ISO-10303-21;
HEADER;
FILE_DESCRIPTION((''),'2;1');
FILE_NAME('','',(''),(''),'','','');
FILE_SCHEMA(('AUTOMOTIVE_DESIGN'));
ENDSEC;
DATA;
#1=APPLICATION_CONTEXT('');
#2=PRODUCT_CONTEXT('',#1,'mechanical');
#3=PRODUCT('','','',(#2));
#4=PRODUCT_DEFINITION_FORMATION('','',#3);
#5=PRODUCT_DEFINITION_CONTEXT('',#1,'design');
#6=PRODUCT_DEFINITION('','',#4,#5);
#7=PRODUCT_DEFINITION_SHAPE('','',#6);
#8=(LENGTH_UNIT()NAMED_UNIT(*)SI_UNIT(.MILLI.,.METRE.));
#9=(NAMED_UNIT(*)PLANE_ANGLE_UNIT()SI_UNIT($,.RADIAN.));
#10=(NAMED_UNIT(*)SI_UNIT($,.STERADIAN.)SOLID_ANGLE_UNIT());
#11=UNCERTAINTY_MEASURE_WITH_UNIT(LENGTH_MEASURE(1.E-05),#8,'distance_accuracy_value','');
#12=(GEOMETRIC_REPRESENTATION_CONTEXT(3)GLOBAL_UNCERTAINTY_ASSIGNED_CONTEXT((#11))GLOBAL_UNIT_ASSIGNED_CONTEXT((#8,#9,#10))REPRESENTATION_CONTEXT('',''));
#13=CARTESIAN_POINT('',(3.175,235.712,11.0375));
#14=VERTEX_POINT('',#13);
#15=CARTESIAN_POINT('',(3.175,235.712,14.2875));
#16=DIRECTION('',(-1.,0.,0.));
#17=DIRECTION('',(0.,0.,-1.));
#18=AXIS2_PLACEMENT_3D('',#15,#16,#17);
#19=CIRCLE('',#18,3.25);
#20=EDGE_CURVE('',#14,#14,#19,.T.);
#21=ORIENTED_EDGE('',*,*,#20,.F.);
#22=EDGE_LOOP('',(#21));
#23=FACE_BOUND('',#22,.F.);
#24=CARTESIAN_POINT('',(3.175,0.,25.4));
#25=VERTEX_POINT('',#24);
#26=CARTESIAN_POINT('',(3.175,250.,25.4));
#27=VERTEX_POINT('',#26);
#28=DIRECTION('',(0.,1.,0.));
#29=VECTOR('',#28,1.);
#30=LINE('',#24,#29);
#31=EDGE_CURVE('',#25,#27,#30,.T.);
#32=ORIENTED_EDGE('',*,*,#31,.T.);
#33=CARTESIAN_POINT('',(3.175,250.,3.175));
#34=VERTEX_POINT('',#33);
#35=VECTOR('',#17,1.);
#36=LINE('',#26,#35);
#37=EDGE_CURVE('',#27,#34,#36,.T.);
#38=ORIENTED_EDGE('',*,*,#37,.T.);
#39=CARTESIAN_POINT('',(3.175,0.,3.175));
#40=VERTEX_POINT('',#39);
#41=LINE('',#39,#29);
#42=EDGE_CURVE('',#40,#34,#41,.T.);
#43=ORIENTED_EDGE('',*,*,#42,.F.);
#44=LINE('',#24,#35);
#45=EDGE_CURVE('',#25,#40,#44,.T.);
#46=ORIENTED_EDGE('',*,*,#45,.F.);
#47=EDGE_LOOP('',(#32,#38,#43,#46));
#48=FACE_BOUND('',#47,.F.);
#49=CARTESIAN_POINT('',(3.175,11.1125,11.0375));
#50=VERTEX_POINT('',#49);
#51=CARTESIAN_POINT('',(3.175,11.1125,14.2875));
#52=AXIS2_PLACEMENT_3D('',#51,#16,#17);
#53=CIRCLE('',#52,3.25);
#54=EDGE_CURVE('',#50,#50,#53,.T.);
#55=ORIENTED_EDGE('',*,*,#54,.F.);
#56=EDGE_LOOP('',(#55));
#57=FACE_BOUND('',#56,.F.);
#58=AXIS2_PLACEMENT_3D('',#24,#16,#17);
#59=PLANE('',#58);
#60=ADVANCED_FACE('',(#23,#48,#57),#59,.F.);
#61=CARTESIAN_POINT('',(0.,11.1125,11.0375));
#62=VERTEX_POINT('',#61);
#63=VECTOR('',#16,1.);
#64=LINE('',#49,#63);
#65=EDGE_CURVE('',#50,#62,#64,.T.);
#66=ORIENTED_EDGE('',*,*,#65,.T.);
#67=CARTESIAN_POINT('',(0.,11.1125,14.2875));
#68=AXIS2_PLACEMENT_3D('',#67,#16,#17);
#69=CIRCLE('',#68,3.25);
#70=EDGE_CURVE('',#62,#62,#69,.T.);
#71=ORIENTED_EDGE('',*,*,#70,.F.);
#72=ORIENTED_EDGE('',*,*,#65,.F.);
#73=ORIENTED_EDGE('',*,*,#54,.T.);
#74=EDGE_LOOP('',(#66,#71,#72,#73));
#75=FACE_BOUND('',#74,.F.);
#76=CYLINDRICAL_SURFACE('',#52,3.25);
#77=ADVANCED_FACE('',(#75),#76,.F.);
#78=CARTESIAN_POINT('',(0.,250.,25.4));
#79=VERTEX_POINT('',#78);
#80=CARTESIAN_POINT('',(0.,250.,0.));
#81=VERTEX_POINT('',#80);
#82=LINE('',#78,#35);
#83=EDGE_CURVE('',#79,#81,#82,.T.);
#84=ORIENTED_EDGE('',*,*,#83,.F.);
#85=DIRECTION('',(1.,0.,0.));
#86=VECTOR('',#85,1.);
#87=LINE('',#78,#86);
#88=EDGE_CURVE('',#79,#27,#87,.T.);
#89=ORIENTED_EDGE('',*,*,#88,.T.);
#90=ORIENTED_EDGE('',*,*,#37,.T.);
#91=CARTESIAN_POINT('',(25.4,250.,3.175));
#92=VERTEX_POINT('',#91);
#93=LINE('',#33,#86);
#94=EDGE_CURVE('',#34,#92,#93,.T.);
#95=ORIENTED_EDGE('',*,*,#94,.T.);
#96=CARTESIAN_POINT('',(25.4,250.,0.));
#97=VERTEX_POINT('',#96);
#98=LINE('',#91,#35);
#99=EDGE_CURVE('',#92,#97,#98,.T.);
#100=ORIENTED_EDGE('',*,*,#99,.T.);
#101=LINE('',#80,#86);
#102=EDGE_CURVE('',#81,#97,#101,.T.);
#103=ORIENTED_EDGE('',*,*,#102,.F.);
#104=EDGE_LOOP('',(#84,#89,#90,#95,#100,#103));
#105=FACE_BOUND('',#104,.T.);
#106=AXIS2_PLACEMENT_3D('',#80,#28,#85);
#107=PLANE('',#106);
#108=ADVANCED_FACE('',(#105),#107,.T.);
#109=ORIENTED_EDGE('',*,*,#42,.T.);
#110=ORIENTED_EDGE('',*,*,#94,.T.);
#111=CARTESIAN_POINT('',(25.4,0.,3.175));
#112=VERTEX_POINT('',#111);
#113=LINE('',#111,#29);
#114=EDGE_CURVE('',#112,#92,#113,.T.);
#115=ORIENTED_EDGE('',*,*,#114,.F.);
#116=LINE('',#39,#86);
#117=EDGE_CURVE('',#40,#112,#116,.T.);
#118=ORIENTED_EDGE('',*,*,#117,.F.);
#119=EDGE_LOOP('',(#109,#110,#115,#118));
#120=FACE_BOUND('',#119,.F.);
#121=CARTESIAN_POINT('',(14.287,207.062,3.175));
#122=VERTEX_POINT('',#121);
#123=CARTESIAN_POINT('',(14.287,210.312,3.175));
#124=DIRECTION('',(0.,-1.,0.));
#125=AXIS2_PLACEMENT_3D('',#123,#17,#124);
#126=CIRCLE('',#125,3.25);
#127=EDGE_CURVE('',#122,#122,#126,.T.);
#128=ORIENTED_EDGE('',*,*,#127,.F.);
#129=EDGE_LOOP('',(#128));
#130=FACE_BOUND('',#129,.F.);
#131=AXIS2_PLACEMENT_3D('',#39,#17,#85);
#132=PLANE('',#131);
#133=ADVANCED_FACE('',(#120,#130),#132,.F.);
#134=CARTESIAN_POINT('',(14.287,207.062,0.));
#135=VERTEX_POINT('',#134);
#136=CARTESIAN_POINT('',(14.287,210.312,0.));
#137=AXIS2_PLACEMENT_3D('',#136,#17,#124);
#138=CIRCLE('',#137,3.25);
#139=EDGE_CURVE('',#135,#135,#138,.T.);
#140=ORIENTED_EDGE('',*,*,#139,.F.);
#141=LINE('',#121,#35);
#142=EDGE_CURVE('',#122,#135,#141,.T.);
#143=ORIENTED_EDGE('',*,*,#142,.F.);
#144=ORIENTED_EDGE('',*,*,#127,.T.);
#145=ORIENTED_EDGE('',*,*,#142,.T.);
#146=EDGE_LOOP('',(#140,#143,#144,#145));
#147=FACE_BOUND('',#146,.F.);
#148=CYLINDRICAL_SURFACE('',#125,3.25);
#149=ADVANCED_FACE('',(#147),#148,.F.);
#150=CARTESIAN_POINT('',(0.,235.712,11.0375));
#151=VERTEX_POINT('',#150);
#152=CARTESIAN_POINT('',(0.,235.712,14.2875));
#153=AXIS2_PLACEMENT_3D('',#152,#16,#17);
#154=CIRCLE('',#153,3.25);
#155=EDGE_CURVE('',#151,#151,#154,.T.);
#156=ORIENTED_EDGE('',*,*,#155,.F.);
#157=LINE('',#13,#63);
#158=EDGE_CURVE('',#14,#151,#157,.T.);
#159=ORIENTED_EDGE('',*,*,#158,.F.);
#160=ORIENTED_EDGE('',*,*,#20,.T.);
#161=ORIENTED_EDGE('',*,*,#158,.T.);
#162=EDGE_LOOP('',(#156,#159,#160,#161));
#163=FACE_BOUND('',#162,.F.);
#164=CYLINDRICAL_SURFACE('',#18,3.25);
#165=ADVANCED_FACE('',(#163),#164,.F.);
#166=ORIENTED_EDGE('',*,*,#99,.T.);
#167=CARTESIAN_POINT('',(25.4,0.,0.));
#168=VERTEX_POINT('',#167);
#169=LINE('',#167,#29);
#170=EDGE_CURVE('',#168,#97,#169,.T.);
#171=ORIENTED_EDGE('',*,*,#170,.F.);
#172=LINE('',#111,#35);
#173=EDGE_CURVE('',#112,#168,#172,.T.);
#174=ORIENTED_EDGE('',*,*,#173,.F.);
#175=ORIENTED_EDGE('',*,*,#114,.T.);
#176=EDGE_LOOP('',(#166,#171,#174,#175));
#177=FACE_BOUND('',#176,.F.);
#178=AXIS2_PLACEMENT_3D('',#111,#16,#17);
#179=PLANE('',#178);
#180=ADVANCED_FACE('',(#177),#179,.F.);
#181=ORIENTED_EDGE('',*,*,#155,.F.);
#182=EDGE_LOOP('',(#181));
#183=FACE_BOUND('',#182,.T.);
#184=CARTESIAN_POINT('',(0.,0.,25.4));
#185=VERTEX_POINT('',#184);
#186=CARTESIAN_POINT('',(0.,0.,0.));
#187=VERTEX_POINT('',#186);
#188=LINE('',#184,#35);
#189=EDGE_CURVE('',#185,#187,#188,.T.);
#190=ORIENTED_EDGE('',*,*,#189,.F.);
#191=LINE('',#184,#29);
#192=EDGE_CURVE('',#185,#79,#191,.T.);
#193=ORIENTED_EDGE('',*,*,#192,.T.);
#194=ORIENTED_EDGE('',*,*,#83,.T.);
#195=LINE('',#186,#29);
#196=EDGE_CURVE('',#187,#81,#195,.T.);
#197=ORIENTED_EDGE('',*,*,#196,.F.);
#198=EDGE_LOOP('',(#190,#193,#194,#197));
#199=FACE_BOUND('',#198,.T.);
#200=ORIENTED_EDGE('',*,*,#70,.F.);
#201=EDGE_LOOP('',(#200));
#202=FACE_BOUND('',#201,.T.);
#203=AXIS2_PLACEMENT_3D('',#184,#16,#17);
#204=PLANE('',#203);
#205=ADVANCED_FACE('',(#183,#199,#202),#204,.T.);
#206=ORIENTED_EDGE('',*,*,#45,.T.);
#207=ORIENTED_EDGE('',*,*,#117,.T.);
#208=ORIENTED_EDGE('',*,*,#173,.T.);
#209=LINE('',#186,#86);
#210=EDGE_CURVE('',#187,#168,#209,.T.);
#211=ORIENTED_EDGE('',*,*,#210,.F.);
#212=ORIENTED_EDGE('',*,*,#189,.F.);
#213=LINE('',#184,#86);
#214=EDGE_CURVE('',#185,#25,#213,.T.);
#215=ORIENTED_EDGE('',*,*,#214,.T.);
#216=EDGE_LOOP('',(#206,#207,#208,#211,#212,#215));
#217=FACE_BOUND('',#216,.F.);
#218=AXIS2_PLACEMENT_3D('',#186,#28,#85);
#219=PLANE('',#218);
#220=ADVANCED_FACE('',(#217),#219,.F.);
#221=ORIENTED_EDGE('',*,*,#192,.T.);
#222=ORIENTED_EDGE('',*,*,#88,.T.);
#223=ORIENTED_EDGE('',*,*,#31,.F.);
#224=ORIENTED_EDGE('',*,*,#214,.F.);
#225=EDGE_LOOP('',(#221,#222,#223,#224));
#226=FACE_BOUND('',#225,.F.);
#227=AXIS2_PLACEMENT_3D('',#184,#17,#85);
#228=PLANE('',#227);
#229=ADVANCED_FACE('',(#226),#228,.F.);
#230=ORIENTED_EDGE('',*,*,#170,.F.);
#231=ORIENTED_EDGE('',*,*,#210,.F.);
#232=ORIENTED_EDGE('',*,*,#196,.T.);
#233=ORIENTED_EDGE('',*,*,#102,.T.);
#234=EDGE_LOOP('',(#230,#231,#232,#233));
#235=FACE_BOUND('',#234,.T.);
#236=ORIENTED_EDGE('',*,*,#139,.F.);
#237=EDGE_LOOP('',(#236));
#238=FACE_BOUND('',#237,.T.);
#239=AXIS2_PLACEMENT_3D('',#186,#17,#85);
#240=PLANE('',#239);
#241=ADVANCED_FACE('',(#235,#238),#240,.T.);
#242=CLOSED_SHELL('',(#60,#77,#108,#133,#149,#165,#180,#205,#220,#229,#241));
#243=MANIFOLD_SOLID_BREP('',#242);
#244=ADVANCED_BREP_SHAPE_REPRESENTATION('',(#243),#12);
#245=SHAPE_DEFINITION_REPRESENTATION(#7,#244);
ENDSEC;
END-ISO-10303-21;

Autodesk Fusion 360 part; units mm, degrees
sketch "Sketch1" plane through (0, 0, 0) normal (0, 1, 0) x (1, 0, 0)
  line L0 (0, -25.4) -> (0, 0)
  line L1 (0, 0) -> (25.4, 0)
  line L2 (12.7, -12.7) -> (11.05, -11.05) construction
  line L3 (3.175, -25.4) -> (3.175, -3.175)
  line L4 (3.175, -3.175) -> (25.4, -3.175)
  line L5 (25.4, -3.175) -> (25.4, 0)
  line L6 (0, -25.4) -> (3.175, -25.4)
  dimension "d1" = 25.4
  dimension "d2" = 25.4
  dimension "d13" = 3.175
extrude "Extrude1" add sketch "Sketch1" along normal blind 250
sketch "Sketch2" plane through (3.175, 0, 0) normal (1, 0, 0) x (0, 0, -1)
  line L0 (-25.4, 0) -> (-3.175, 0)
  line L1 (-3.175, 0) -> (-3.175, 250)
  line L2 (-3.175, 250) -> (-25.4, 250)
  line L3 (-25.4, 250) -> (-25.4, 0)
  circle A0 centre (-14.2875, 235.712) radius 2.76
  circle A1 centre (-14.2875, 11.1125) radius 2.5546
  line L4 (-14.2875, 250) -> (-14.2875, 0) construction
  dimension "d14" = 14.288
  dimension "d15" = 11.1125
hole "Hole1" at (3.175, 11.1125, 14.2875) at (3.175, 235.712, 14.2875) direction (-1, 0, 0) diameter 6.5 end through all
hole "Hole2" at (14.287, 210.312, 3.175) direction (0, 0, -1) diameter 6.5 end through all
equation "d15 = ( 22.225 / 2 ) * 1 mm"
